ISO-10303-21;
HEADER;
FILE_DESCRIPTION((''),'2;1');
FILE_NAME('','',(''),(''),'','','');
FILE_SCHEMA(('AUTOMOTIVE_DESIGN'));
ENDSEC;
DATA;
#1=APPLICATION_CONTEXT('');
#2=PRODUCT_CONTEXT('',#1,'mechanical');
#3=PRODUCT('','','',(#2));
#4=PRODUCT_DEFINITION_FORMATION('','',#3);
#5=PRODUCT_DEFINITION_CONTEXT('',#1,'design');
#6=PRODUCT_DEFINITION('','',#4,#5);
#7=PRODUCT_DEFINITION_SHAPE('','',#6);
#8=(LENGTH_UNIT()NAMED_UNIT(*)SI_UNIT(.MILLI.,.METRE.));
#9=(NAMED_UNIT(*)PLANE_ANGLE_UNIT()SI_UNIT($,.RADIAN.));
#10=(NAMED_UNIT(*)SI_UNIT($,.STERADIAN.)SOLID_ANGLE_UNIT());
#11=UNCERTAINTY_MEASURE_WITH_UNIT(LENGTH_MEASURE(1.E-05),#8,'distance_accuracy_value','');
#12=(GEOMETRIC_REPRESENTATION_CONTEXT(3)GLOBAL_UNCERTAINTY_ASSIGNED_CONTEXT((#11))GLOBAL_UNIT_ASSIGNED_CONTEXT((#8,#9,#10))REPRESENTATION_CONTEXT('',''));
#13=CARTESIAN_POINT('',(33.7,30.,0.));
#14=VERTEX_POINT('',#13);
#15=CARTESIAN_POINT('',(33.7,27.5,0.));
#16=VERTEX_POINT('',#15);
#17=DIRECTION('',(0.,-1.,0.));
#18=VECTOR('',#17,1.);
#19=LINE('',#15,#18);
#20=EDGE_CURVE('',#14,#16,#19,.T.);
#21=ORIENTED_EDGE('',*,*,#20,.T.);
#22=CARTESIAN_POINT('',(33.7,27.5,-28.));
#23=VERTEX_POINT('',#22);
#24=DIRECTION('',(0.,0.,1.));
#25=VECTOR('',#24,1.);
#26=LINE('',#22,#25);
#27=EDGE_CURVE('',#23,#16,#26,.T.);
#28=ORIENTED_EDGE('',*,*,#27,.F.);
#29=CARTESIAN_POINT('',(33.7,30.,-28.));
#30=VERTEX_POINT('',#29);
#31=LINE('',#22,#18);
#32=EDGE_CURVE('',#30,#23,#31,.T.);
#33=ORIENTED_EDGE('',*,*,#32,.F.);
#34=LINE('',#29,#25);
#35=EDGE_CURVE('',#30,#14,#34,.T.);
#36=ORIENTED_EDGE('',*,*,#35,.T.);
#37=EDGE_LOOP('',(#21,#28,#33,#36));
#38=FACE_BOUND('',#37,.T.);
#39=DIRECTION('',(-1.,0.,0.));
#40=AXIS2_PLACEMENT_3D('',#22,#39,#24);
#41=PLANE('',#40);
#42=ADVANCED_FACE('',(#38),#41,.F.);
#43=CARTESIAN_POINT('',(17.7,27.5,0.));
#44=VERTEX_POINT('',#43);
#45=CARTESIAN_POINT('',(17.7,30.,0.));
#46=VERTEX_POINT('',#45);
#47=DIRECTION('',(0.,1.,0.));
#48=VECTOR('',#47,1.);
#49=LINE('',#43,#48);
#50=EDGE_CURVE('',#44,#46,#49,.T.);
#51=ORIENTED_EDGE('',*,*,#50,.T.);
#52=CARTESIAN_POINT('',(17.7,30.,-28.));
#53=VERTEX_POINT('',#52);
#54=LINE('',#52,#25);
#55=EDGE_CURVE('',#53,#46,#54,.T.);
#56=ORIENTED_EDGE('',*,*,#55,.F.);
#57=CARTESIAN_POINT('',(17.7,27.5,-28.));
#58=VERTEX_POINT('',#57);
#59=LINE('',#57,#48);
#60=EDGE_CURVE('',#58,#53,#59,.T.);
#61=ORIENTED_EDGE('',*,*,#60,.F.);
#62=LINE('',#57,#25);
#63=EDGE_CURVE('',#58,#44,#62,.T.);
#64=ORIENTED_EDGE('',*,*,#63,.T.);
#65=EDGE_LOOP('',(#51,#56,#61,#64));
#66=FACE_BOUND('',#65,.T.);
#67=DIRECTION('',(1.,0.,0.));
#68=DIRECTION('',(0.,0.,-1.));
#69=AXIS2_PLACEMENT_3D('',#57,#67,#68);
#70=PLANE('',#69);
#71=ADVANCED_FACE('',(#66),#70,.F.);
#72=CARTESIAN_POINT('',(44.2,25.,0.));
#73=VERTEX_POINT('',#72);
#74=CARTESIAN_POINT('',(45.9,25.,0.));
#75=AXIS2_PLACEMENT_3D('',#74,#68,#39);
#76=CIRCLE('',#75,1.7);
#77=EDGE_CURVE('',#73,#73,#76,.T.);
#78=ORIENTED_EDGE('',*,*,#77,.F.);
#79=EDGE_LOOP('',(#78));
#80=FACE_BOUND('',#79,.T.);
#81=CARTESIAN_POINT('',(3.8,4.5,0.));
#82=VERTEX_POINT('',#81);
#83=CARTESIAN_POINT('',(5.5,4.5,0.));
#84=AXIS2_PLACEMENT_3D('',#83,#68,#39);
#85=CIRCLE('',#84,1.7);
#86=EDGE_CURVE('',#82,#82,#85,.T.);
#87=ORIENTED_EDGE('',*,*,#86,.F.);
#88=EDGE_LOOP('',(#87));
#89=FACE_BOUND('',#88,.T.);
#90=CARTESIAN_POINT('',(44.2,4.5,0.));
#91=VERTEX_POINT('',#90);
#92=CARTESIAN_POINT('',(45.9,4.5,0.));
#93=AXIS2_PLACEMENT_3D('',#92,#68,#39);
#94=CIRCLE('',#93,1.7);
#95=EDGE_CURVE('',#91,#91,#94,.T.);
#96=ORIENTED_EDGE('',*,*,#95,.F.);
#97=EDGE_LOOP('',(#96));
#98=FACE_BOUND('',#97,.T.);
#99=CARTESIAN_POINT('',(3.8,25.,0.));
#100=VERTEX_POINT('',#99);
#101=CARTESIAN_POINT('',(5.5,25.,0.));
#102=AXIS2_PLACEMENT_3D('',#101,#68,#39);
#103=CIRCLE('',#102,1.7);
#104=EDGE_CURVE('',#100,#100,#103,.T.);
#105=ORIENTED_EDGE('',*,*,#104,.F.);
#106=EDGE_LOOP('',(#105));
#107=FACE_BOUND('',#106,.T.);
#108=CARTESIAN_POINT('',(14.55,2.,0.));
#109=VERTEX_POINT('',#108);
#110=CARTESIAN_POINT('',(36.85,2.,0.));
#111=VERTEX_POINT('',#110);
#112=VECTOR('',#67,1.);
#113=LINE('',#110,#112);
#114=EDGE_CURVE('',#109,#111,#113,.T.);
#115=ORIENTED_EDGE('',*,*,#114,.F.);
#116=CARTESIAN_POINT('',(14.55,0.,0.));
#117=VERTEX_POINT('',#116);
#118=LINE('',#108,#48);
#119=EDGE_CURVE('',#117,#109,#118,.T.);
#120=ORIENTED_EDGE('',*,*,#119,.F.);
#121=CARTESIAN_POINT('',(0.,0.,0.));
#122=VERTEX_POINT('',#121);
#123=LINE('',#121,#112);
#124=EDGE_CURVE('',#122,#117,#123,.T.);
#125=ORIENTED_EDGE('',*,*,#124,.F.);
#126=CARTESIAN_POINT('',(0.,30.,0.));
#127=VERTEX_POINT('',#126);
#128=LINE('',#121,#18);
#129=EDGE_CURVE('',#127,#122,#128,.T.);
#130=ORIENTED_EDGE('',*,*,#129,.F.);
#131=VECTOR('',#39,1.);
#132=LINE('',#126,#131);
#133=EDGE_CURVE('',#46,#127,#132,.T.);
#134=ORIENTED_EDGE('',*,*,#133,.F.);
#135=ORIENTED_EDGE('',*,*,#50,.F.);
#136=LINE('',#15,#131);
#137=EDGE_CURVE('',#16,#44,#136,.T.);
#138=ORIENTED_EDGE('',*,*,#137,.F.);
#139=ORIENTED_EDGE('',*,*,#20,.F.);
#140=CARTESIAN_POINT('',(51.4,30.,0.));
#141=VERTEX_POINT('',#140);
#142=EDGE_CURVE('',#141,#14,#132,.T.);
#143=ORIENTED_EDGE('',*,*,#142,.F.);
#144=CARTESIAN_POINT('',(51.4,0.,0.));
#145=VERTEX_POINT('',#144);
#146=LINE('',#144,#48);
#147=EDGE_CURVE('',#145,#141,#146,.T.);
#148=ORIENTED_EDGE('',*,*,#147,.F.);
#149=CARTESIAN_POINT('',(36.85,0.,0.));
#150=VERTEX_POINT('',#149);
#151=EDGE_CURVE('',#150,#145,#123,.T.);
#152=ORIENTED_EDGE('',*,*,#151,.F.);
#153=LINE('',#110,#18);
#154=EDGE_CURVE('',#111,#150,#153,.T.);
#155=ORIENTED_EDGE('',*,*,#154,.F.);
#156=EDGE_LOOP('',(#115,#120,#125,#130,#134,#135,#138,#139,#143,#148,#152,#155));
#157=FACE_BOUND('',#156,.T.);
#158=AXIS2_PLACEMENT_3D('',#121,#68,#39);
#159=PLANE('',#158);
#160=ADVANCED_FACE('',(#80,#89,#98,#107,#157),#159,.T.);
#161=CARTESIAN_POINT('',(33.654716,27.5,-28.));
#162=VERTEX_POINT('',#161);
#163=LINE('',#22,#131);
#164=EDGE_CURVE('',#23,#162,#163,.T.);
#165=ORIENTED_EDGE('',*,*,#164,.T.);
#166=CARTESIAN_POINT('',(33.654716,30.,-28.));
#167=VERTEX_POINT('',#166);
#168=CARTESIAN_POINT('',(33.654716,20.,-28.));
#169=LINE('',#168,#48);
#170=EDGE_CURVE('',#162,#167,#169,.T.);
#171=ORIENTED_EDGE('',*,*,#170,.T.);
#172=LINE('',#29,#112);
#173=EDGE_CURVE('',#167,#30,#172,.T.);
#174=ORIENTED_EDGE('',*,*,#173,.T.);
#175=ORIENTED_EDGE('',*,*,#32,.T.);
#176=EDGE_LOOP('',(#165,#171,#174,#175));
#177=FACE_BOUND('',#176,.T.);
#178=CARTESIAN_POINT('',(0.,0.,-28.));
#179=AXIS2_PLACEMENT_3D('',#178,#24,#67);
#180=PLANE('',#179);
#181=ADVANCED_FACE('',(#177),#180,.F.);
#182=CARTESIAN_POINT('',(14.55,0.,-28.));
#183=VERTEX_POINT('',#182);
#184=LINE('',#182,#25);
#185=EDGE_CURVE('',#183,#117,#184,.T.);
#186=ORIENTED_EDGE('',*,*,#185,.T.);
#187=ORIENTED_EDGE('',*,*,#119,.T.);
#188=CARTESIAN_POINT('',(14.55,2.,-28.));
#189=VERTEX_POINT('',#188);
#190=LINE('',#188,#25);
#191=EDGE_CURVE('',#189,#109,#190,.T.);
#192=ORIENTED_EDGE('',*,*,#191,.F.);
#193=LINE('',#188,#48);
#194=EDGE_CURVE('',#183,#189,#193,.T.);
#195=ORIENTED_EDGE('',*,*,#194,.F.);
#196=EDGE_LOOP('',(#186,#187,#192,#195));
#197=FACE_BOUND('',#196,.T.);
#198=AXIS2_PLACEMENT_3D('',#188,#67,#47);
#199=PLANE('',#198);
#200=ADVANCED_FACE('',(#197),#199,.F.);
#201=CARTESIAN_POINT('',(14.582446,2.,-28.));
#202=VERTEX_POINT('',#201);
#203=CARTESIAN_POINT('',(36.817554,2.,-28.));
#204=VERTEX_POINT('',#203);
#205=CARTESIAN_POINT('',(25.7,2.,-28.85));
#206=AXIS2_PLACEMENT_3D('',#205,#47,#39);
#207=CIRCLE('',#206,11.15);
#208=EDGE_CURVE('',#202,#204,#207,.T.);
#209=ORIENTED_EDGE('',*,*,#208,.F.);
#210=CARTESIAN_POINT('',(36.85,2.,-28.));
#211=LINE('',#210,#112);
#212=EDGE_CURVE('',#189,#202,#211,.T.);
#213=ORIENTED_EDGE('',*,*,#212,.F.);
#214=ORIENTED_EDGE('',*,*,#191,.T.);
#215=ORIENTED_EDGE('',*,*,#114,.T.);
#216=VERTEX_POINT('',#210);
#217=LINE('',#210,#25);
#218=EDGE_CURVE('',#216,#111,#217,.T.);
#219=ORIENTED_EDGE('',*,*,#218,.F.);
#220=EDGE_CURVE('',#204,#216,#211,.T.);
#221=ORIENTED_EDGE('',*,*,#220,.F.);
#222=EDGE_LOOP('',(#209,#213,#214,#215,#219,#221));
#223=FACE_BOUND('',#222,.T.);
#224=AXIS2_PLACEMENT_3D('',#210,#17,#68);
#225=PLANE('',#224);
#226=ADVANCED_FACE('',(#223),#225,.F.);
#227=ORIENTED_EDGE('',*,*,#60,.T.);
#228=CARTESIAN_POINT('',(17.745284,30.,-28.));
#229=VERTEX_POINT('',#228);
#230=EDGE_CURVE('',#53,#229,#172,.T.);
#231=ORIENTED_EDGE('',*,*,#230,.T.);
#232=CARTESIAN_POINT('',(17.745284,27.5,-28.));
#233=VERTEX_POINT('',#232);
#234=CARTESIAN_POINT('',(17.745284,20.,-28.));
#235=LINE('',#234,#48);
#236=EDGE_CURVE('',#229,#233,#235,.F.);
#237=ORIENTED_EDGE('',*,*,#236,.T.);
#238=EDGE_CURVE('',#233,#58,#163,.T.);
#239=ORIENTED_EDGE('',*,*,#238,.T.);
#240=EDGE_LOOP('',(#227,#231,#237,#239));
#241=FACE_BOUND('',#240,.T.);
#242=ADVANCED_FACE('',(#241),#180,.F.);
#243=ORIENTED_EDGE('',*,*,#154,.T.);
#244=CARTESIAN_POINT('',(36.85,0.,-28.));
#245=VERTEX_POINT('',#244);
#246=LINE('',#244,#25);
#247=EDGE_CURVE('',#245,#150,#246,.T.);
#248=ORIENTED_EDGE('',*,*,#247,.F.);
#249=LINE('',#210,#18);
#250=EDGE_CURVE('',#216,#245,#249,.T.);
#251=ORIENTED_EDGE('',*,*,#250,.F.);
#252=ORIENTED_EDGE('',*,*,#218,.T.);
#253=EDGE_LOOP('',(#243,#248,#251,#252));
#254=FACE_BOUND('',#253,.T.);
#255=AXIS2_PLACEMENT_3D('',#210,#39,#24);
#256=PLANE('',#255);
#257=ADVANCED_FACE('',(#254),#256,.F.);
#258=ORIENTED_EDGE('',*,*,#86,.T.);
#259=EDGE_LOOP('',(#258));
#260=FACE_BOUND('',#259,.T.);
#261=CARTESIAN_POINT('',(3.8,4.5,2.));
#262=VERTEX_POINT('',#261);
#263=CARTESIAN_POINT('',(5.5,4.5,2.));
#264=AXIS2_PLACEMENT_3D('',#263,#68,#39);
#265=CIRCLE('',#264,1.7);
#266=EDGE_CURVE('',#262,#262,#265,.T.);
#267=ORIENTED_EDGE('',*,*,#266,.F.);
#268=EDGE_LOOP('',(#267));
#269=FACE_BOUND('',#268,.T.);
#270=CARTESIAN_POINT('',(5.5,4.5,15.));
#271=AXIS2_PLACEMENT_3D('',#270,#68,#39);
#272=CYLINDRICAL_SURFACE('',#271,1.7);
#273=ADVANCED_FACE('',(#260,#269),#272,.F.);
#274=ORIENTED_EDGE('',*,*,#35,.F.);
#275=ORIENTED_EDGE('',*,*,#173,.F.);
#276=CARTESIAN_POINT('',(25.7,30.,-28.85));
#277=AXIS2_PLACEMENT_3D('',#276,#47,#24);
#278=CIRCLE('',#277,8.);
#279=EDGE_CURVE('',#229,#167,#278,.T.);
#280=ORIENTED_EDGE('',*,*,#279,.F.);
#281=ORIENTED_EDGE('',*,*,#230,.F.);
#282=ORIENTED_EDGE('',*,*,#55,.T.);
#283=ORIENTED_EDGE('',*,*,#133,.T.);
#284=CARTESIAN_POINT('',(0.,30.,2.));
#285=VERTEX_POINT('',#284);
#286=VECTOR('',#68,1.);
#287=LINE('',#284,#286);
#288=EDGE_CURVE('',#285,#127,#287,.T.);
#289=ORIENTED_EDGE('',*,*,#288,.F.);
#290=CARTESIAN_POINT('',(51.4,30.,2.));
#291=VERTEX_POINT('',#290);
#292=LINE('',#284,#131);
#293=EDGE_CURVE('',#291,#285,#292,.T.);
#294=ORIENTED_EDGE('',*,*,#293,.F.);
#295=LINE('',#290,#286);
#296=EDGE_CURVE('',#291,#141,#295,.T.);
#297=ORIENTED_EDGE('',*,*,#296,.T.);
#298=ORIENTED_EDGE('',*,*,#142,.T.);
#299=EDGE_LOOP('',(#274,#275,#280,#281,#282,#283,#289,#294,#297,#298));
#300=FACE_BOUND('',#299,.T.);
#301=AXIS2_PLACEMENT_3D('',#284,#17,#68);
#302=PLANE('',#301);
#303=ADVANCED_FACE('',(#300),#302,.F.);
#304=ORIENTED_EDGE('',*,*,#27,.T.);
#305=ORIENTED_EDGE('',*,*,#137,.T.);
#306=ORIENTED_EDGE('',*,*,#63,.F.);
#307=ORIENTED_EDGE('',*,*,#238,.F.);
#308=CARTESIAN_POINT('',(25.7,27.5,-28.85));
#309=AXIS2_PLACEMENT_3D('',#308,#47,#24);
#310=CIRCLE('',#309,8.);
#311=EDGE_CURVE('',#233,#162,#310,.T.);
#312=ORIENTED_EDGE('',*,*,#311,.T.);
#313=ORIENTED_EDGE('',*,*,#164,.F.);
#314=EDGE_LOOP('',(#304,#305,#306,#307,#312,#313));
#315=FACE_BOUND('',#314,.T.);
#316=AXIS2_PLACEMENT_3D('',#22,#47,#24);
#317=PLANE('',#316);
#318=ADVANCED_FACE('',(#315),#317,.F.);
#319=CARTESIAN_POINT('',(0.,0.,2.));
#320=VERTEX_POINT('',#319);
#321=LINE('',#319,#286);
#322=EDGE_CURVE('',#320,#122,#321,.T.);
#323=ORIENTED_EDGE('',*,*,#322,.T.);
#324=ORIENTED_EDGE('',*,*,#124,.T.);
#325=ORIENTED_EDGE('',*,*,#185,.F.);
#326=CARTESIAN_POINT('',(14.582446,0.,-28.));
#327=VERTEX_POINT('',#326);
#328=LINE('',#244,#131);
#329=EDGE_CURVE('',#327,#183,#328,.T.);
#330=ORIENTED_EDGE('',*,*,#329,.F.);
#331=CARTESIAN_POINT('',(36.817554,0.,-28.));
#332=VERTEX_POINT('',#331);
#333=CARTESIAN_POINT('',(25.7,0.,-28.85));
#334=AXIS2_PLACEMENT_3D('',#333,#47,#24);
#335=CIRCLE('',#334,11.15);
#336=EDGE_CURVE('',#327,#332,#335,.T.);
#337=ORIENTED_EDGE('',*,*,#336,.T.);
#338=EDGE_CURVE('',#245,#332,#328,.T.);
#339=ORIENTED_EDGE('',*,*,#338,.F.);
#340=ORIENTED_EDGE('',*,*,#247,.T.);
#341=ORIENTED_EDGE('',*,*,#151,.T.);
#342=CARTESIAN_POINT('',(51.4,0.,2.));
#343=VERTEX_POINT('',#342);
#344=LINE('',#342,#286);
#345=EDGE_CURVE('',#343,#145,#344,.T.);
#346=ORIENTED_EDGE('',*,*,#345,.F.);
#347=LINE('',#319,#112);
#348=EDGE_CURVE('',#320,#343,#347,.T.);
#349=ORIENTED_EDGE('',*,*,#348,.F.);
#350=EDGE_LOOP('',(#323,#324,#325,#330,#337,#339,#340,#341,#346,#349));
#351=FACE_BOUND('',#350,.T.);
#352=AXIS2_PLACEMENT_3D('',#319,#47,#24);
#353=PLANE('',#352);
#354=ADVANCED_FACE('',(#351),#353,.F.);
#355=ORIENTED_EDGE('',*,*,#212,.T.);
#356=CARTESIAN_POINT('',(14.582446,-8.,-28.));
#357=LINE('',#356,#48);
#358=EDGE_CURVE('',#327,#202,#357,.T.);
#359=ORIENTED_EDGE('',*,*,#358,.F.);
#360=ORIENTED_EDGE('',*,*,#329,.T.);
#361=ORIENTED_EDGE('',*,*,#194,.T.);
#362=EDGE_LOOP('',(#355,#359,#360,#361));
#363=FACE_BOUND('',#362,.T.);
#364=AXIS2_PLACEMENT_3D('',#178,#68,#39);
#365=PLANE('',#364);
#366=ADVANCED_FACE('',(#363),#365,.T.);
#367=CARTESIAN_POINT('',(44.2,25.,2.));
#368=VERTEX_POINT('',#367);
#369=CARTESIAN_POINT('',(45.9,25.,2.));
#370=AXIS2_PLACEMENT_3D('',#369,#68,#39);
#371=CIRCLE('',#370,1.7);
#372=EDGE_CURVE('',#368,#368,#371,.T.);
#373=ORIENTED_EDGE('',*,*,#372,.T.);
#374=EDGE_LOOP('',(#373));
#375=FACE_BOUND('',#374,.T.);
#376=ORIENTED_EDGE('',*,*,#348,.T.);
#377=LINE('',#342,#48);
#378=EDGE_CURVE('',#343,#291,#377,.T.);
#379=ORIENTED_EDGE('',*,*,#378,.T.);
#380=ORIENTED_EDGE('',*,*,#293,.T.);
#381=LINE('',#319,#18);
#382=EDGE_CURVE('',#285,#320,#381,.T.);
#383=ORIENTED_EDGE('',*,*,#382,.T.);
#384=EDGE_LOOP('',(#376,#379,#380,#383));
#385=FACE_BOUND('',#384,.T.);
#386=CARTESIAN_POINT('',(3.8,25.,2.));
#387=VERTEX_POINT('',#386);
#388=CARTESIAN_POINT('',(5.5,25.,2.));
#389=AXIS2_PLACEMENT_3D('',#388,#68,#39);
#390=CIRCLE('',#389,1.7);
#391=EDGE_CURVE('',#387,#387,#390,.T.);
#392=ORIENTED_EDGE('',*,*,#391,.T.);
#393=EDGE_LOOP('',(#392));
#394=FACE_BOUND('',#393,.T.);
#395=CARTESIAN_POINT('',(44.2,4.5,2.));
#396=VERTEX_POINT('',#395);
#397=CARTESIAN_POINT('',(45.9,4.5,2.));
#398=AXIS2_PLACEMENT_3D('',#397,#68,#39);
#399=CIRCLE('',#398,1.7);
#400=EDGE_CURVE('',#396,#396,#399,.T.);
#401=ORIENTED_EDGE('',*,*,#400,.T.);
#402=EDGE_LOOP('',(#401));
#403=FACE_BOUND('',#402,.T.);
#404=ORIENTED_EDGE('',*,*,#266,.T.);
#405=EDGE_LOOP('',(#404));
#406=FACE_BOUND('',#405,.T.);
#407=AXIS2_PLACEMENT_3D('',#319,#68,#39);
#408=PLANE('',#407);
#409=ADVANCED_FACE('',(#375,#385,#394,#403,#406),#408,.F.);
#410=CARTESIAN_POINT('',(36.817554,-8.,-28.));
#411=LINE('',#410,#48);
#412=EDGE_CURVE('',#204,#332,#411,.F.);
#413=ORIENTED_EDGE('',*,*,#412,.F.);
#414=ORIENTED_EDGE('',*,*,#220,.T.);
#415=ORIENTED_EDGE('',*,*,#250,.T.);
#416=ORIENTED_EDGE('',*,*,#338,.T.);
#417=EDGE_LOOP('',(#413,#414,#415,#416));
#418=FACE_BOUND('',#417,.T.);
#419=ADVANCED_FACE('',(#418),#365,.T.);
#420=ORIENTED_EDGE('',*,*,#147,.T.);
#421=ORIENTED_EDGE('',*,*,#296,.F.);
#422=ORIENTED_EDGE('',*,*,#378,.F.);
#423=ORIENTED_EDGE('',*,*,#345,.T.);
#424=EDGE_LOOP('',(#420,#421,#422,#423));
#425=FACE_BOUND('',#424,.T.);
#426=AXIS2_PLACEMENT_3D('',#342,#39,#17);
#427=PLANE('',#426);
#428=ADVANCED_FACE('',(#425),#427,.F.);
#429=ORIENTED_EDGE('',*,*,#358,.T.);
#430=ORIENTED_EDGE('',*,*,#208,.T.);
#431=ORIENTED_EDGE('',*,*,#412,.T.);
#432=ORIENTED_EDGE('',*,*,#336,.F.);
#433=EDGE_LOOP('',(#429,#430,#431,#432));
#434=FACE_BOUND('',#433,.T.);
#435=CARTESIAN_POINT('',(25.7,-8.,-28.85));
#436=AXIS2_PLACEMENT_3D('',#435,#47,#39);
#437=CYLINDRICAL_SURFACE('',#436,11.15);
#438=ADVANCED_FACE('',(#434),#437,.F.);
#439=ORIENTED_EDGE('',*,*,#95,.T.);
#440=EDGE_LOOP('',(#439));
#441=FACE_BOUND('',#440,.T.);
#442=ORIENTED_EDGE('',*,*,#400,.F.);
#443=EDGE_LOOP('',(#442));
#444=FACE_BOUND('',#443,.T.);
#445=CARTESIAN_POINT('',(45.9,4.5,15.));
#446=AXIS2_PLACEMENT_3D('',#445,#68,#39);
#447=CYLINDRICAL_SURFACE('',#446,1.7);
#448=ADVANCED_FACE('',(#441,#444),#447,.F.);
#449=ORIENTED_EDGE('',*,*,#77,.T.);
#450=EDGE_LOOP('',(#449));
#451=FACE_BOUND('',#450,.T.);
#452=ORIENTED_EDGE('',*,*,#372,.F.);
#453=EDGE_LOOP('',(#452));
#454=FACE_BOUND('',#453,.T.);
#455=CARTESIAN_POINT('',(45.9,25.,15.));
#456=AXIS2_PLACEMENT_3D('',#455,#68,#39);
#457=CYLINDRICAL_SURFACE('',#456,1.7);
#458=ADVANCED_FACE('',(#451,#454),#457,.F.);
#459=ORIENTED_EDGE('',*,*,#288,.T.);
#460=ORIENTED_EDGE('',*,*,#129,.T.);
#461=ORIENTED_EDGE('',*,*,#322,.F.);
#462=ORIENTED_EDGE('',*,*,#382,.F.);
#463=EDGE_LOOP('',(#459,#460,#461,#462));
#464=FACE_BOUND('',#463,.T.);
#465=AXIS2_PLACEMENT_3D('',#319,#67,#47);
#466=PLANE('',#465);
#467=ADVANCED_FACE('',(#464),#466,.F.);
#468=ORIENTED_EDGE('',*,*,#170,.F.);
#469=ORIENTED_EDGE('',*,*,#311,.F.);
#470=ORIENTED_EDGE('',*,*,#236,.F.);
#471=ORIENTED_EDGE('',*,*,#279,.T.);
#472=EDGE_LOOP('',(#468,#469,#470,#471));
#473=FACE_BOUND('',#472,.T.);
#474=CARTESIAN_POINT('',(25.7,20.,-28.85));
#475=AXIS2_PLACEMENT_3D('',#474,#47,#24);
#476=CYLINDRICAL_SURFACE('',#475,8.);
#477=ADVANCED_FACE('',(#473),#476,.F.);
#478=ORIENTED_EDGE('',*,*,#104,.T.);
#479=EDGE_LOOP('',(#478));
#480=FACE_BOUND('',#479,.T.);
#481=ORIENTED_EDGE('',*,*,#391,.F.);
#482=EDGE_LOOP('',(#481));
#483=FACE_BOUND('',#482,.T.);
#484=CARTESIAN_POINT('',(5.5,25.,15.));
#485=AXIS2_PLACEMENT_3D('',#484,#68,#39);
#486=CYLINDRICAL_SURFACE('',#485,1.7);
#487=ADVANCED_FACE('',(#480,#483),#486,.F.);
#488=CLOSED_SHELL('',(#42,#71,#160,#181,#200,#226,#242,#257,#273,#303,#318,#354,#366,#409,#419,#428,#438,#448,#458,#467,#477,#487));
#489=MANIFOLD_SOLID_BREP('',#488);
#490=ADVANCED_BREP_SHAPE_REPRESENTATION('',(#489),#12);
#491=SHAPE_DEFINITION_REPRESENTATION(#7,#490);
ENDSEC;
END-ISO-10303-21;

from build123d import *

# Parameters (mm, degrees)
SKETCH1_W           = 51.4
SKETCH1_H           = 30
BOSS_EXTRUDE1_DEPTH = 2
SKETCH2_R           = 1.7
CUT_EXTRUDE1_DEPTH  = 15
SKETCH3_W           = 16
SKETCH3_H           = 2.5
SKETCH3_W_2         = 22.3
SKETCH3_H_2         = 2
BOSS_EXTRUDE2_DEPTH = 28
SKETCH4_R           = 8
CUT_EXTRUDE3_DEPTH  = 10
SKETCH6_R           = 11.15
CUT_EXTRUDE4_DEPTH  = 10


with BuildPart() as part:
    # Sketch1 → Boss-Extrude1 (new body)
    with BuildSketch(Plane.XY):
        with Locations((25.7, 15)):
            Rectangle(SKETCH1_W, SKETCH1_H)
    extrude(amount=BOSS_EXTRUDE1_DEPTH)

    # Sketch2 → Cut-Extrude1 (cut)
    with BuildSketch(Plane(origin=(0, 0, 0), x_dir=(-1, 0, 0), z_dir=(0, 0, -1))):
        with Locations((-45.9, 25)):
            Circle(SKETCH2_R)
        with Locations((-5.5, 25)):
            Circle(SKETCH2_R)
        with Locations((-5.5, 4.5)):
            Circle(SKETCH2_R)
        with Locations((-45.9, 4.5)):
            Circle(SKETCH2_R)
    extrude(amount=-CUT_EXTRUDE1_DEPTH, mode=Mode.SUBTRACT)

    # Sketch3 → Boss-Extrude2 (add)
    with BuildSketch(Plane(origin=(0, 0, 0), x_dir=(-1, 0, 0), z_dir=(0, 0, -1))):
        with Locations((-25.7, 28.75)):
            Rectangle(SKETCH3_W, SKETCH3_H)
        with Locations((-25.7, 1)):
            Rectangle(SKETCH3_W_2, SKETCH3_H_2)
    extrude(amount=BOSS_EXTRUDE2_DEPTH)

    # Sketch4 → Cut-Extrude3 (cut)
    with BuildSketch(Plane(origin=(0, 30, 0), x_dir=(1, 0, 0), z_dir=(0, 1, 0))):
        with Locations((25.7, 28.85)):
            Circle(SKETCH4_R)
    extrude(amount=-CUT_EXTRUDE3_DEPTH, mode=Mode.SUBTRACT)

    # Sketch6 → Cut-Extrude4 (cut)
    with BuildSketch(Plane(origin=(0, 2, 0), x_dir=(1, 0, 0), z_dir=(0, 1, 0))):
        with Locations((25.7, 28.85)):
            Circle(SKETCH6_R)
    extrude(amount=-CUT_EXTRUDE4_DEPTH, mode=Mode.SUBTRACT)


solid = part.part
